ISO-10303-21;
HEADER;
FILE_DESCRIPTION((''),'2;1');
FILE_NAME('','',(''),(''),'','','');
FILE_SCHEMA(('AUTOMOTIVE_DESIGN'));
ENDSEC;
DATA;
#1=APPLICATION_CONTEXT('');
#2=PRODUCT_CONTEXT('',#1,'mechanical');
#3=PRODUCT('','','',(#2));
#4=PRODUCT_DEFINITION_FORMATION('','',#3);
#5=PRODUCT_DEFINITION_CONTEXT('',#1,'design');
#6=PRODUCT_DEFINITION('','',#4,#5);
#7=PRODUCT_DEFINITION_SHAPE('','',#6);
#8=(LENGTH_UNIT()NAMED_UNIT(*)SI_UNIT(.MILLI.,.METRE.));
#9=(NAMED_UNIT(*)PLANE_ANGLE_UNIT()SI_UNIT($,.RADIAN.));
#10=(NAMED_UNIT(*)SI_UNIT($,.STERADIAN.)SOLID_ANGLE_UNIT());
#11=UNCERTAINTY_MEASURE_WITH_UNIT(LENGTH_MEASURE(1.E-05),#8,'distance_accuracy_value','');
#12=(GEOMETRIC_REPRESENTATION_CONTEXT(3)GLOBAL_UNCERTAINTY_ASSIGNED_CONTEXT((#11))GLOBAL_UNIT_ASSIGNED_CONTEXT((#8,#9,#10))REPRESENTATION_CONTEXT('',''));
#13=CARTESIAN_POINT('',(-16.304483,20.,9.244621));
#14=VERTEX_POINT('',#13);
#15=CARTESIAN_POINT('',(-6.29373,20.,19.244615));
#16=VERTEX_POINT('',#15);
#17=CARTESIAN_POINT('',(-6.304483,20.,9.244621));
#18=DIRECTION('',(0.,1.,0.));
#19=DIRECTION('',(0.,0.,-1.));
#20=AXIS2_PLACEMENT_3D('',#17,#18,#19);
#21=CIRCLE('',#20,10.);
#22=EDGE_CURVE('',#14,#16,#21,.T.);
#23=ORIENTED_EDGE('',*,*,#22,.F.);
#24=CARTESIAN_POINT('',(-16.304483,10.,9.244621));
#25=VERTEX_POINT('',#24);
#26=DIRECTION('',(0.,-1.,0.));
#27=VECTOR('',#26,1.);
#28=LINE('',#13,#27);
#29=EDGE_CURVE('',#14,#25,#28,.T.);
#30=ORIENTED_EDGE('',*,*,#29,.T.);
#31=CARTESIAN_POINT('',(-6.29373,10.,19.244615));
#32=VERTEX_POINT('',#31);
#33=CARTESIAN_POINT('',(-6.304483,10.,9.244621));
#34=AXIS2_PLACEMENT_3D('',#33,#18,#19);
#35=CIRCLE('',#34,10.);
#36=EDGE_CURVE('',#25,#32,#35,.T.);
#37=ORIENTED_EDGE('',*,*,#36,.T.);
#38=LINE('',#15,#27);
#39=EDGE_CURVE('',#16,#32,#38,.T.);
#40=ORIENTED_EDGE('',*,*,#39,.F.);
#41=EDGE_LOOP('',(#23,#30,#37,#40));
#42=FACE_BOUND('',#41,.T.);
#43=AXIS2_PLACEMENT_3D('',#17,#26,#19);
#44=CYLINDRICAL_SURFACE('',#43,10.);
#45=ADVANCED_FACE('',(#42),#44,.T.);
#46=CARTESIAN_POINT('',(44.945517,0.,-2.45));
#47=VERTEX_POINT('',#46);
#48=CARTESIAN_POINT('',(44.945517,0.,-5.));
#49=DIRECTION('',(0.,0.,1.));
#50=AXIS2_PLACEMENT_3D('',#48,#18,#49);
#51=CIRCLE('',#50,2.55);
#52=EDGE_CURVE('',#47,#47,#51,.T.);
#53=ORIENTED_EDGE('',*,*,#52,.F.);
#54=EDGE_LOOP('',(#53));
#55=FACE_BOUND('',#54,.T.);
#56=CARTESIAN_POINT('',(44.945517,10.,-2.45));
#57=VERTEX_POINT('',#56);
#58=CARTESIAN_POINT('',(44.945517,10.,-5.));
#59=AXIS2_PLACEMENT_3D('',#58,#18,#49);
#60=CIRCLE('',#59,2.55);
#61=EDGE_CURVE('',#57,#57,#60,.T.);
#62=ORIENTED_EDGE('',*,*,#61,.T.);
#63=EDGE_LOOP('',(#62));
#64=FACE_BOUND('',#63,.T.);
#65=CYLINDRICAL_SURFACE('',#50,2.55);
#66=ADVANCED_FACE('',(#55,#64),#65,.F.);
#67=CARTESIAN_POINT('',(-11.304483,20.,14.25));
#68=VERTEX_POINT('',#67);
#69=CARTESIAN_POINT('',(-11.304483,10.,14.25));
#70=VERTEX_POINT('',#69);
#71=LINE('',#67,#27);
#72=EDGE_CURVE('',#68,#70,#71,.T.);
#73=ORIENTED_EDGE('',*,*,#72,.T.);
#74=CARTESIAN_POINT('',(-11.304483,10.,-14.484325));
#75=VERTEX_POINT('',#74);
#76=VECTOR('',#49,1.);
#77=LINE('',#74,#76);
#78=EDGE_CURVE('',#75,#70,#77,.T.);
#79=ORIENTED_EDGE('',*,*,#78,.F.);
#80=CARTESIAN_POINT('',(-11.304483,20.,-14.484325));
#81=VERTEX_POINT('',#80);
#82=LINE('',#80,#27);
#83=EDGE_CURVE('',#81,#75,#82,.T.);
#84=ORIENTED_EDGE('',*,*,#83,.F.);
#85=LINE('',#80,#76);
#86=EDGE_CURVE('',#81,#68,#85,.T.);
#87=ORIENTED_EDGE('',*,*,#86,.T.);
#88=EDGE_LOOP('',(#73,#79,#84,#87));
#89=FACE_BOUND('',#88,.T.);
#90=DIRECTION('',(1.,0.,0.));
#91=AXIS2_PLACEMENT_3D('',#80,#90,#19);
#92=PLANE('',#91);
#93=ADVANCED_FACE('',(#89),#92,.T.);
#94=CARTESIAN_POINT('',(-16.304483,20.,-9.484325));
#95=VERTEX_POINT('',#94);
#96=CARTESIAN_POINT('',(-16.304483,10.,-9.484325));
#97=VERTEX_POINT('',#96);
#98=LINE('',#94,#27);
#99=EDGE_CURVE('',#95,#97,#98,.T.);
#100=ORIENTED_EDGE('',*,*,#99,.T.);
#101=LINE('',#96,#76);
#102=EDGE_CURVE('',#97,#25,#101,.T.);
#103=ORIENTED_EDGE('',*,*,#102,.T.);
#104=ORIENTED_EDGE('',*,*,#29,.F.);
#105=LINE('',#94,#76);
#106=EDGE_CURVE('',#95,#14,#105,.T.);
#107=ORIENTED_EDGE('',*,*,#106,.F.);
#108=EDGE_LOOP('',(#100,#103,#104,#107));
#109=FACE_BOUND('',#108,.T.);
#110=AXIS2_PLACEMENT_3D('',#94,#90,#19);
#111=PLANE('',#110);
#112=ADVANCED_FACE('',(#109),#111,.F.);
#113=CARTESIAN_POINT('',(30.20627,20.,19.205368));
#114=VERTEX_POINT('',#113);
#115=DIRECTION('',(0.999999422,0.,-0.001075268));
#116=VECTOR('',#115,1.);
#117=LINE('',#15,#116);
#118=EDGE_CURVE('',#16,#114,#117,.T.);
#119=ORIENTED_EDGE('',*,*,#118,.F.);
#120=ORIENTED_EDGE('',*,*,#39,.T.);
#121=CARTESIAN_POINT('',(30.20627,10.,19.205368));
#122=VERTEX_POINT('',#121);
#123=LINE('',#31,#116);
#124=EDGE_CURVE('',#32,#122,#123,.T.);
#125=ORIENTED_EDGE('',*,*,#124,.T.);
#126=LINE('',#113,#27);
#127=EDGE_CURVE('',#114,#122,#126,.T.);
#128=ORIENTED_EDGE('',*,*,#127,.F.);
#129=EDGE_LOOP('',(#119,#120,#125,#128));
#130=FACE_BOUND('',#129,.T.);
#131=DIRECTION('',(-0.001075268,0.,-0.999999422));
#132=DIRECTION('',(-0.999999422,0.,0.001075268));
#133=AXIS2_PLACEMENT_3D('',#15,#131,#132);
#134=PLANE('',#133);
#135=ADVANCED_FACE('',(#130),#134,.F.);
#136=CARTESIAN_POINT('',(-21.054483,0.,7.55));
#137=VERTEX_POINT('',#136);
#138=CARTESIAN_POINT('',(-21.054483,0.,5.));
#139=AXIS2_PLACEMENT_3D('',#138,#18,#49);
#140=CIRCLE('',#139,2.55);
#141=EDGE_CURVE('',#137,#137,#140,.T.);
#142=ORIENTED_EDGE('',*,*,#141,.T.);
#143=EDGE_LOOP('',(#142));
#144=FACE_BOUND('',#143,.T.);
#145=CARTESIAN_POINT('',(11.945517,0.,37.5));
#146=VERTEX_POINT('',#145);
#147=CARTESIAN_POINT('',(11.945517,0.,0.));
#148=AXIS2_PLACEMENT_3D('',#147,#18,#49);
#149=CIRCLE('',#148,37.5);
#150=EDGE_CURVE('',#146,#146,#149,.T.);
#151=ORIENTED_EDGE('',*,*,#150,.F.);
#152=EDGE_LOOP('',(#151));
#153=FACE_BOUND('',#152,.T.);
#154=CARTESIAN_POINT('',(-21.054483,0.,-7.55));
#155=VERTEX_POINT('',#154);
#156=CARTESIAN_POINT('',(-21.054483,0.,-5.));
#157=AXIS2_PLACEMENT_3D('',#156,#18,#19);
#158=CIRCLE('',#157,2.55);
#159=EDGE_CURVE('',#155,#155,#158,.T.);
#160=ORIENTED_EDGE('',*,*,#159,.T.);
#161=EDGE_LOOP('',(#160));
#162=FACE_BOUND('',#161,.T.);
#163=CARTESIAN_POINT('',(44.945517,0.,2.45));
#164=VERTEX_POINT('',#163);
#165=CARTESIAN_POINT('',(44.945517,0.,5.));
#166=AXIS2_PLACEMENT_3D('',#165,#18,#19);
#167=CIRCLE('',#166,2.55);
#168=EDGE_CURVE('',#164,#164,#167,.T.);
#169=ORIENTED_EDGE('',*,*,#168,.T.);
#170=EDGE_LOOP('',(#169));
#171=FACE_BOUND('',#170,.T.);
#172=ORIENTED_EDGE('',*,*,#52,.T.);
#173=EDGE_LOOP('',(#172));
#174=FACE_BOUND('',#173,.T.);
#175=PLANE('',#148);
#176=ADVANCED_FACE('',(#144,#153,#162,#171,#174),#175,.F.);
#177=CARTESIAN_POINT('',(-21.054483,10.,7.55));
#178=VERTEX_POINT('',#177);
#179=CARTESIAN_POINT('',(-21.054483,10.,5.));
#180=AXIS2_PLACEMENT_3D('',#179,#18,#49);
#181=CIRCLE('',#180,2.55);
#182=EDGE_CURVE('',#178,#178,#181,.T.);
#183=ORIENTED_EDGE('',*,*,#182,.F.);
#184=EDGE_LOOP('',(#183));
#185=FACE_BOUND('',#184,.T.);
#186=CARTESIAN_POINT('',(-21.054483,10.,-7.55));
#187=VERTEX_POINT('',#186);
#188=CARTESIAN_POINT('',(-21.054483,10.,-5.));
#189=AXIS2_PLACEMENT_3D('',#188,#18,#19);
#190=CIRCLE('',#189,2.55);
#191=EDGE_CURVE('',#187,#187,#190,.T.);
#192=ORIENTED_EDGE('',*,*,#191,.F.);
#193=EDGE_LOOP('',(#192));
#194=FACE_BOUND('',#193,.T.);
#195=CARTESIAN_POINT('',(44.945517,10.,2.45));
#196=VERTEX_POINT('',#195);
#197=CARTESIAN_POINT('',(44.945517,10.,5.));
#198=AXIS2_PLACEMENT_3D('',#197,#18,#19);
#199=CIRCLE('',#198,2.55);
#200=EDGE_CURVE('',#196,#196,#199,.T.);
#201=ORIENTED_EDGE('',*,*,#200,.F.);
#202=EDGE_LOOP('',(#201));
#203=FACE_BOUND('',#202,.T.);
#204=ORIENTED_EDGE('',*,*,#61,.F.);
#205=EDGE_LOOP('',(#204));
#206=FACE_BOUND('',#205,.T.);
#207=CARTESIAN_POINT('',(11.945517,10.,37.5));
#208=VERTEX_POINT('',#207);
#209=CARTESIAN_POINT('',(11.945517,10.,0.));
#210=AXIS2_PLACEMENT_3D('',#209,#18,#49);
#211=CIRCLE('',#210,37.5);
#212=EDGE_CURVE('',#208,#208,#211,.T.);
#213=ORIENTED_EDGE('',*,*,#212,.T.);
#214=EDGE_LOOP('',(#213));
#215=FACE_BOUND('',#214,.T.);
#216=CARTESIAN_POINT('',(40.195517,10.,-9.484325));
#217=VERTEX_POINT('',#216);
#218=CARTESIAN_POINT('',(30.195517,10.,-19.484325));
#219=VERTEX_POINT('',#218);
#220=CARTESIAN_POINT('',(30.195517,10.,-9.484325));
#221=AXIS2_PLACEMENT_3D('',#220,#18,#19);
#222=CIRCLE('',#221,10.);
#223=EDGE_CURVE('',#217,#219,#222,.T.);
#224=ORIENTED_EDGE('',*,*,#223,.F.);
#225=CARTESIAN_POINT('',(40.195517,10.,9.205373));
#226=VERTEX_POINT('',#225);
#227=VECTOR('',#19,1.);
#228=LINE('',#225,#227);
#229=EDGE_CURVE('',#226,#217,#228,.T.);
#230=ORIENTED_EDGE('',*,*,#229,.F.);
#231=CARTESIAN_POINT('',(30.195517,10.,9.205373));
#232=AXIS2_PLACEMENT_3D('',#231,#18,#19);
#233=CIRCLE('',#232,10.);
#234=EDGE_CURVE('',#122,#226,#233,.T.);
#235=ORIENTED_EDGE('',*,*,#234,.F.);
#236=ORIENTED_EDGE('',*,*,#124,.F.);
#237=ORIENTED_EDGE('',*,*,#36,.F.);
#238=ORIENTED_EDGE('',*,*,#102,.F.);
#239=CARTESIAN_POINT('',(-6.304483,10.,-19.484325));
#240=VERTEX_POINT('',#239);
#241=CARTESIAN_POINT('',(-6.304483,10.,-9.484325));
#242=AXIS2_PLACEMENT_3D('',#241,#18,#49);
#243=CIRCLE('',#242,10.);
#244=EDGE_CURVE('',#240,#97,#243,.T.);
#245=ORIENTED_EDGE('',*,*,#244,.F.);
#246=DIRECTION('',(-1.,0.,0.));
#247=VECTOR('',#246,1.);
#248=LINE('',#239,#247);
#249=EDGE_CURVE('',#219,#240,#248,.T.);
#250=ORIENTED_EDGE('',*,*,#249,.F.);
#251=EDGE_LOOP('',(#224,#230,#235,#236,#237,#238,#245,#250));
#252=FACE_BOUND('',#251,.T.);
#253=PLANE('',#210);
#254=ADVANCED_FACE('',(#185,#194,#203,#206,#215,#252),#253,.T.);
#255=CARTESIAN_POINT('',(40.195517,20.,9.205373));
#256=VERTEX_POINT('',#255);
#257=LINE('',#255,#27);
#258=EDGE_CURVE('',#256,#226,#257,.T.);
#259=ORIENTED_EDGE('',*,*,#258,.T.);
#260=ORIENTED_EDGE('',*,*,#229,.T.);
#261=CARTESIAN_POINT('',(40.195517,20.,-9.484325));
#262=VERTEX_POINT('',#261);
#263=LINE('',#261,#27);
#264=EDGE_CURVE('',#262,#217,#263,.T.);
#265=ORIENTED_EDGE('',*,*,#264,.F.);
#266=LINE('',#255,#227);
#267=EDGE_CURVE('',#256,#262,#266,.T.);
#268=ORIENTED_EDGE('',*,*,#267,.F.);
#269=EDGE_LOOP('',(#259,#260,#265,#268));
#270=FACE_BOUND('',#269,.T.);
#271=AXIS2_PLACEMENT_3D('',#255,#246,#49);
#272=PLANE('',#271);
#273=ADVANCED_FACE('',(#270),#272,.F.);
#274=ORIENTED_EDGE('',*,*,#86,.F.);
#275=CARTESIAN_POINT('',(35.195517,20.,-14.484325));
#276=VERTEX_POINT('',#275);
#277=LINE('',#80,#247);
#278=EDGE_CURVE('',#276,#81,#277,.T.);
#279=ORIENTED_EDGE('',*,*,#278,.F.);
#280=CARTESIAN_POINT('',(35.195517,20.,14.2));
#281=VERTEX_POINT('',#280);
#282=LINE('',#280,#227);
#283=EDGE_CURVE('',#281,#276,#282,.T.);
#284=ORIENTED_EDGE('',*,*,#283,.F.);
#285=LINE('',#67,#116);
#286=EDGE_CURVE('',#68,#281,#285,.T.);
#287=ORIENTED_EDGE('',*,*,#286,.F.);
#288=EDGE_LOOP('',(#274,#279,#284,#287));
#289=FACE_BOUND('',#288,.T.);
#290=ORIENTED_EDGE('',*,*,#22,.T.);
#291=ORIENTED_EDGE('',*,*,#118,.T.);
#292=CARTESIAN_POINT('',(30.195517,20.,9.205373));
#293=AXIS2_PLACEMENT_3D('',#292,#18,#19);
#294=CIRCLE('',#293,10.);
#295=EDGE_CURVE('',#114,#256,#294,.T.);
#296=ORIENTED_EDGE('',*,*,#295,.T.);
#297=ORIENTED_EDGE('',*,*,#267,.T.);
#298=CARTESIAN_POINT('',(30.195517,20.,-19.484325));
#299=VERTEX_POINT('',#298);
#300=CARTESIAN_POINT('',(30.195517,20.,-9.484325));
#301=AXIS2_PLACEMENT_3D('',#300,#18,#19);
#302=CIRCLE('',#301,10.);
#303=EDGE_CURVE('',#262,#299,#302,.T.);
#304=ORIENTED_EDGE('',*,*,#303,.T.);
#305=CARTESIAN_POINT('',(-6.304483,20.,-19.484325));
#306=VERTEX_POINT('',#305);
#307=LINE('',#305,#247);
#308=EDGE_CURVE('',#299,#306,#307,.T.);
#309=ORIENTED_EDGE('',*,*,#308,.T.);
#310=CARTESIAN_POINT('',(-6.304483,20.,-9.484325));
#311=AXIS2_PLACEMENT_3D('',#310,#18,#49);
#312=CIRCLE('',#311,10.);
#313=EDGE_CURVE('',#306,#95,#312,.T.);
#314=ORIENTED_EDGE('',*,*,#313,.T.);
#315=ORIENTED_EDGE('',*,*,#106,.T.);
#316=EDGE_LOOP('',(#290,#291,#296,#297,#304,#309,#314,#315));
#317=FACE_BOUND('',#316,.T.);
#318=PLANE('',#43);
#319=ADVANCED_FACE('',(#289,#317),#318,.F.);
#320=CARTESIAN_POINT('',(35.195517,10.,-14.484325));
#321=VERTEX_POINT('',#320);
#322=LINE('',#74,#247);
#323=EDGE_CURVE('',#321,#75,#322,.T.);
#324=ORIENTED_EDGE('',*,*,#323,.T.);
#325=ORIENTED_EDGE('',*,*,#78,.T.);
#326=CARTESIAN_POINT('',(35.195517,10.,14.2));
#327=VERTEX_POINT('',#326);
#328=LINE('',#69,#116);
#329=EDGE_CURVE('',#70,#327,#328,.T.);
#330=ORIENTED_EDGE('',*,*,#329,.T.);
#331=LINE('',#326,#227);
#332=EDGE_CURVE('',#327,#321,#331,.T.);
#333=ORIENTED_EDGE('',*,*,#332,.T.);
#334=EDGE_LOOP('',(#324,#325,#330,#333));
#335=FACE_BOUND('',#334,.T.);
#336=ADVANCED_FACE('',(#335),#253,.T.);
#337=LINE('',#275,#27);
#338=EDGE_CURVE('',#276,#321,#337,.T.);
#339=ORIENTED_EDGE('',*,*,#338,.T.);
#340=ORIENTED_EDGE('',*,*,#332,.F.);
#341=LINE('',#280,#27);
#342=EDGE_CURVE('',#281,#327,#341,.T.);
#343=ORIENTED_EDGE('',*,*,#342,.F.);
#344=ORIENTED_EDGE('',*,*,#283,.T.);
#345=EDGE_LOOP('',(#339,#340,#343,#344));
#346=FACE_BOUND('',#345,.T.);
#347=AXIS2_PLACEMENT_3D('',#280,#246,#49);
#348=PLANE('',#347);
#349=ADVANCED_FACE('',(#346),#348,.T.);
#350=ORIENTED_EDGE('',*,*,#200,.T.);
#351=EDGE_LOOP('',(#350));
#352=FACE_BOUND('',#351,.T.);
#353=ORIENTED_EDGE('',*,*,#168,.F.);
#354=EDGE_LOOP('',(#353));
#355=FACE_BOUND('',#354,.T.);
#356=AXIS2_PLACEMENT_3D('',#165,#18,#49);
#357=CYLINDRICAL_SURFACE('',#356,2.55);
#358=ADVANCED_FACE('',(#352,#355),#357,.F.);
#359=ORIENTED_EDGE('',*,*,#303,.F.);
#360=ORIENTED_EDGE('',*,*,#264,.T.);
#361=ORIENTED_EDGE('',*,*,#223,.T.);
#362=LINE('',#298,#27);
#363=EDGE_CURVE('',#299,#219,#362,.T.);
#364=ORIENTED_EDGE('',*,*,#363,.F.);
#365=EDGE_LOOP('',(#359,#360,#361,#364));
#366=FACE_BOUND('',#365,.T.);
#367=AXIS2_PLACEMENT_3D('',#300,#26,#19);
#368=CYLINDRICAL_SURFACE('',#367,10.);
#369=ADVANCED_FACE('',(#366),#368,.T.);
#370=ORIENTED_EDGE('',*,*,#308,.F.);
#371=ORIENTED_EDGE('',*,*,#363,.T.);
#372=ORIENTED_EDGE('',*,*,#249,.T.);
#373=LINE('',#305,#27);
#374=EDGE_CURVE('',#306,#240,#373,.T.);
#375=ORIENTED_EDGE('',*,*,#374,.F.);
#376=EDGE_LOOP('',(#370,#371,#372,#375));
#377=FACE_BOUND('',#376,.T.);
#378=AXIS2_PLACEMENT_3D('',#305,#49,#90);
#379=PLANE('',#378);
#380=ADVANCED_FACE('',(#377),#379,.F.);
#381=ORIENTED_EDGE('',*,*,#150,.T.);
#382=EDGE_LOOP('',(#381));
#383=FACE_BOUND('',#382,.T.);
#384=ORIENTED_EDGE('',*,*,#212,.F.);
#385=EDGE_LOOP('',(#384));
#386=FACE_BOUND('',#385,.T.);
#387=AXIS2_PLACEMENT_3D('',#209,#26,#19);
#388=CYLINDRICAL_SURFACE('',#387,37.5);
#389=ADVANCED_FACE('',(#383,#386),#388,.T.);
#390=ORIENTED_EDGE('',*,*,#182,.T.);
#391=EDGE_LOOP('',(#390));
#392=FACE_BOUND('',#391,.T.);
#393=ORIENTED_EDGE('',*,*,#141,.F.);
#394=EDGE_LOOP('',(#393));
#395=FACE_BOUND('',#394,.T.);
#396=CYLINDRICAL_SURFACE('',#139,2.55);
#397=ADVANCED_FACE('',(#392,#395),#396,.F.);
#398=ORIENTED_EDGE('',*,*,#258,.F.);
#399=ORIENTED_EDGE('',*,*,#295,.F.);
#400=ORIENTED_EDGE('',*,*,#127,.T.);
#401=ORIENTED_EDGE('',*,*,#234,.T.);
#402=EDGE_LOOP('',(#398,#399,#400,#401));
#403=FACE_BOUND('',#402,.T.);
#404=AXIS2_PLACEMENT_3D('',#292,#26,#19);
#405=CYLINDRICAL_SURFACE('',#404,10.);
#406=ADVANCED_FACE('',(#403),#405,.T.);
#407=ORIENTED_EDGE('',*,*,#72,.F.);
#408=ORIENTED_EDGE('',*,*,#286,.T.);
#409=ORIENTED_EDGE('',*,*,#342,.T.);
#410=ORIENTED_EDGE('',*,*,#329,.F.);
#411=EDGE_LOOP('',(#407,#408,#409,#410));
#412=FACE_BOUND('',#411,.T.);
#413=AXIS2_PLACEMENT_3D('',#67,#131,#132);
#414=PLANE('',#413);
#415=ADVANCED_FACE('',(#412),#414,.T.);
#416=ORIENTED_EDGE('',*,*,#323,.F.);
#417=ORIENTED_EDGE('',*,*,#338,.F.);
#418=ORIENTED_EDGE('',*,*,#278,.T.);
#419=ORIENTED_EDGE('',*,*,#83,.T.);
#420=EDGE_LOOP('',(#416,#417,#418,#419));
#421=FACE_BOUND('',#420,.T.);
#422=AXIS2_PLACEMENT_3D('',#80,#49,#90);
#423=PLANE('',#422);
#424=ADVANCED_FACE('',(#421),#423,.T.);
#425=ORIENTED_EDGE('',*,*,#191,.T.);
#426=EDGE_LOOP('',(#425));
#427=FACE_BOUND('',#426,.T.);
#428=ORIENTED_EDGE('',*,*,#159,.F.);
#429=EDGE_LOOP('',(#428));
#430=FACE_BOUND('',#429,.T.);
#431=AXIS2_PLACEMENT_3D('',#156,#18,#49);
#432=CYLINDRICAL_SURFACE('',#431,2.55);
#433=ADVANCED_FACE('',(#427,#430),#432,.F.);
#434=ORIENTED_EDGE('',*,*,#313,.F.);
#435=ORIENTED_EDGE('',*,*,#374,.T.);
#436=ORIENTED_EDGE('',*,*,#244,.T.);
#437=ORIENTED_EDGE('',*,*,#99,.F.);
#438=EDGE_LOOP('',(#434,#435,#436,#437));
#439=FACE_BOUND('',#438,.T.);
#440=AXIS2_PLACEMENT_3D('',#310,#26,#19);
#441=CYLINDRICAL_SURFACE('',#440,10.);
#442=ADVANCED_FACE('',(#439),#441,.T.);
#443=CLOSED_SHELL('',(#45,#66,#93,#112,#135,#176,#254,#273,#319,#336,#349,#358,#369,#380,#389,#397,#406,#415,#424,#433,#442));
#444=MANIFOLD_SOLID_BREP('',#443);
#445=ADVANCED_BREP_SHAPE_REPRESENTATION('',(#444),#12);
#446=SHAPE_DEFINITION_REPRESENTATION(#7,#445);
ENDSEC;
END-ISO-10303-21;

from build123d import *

# Parameters (mm, degrees)
SKETCH1_R           = 37.5
BOSS_EXTRUDE1_DEPTH = 10
BOSS_EXTRUDE2_START = 10
BOSS_EXTRUDE2_DEPTH = 10
SKETCH3_R           = 2.55
CUT_EXTRUDE1_DEPTH  = 10


with BuildPart() as part:
    # Sketch1 → Boss-Extrude1 (new body)
    with BuildSketch(Plane(origin=(0, 0, 0), x_dir=(1, 0, 0), z_dir=(0, 1, 0))):
        with Locations(Location((11.945516858, 0, 0), (0, 0, 270))):
            Circle(SKETCH1_R)
    extrude(amount=BOSS_EXTRUDE1_DEPTH)

    # Sketch2 → Boss-Extrude2 (add)
    with BuildSketch(Plane(origin=(0, 0, 0), x_dir=(1, 0, 0), z_dir=(0, 1, 0)).offset(BOSS_EXTRUDE2_START)):
        with BuildLine():
            Line((-6.304483142, 19.484324941), (30.195516858, 19.484324941))
            ThreePointArc((30.195516858, 19.484324941), (37.26658467, 16.555392753), (40.195516858, 9.484324941))
            Line((40.195516858, 9.484324941), (40.195516858, -9.205373472))
            ThreePointArc((40.195516858, -9.205373472), (37.270385296, -16.272638614), (30.20626954, -19.205367691))
            Line((30.20626954, -19.205367691), (-6.29373046, -19.244615001))
            ThreePointArc((-6.29373046, -19.244615001), (-13.371748284, -16.319489219), (-16.304483142, -9.244620782))
            Line((-16.304483142, -9.244620782), (-16.304483142, 9.484324941))
            ThreePointArc((-16.304483142, 9.484324941), (-13.375550954, 16.555392753), (-6.304483142, 19.484324941))
        make_face()
        Polygon((-11.304483142, -14.250000016), (35.195516858, -14.200000018), (35.195516858, 14.484324941), (-11.304483142, 14.484324941), align=None, mode=Mode.SUBTRACT)
    extrude(amount=BOSS_EXTRUDE2_DEPTH)

    # Sketch3 → Cut-Extrude1 (cut)
    with BuildSketch(Plane(origin=(0, 10, 0), x_dir=(1, 0, 0), z_dir=(0, 1, 0))):
        with Locations(Location((-21.054483142, -5, 0), (0, 0, 270))):
            Circle(SKETCH3_R)
        with Locations(Location((-21.054483142, 5, 0), (0, 0, 90))):
            Circle(SKETCH3_R)
        with Locations(Location((44.945516858, -5, 0), (0, 0, 90))):
            Circle(SKETCH3_R)
        with Locations(Location((44.945516858, 5, 0), (0, 0, 270))):
            Circle(SKETCH3_R)
    extrude(amount=-CUT_EXTRUDE1_DEPTH, mode=Mode.SUBTRACT)


solid = part.part
